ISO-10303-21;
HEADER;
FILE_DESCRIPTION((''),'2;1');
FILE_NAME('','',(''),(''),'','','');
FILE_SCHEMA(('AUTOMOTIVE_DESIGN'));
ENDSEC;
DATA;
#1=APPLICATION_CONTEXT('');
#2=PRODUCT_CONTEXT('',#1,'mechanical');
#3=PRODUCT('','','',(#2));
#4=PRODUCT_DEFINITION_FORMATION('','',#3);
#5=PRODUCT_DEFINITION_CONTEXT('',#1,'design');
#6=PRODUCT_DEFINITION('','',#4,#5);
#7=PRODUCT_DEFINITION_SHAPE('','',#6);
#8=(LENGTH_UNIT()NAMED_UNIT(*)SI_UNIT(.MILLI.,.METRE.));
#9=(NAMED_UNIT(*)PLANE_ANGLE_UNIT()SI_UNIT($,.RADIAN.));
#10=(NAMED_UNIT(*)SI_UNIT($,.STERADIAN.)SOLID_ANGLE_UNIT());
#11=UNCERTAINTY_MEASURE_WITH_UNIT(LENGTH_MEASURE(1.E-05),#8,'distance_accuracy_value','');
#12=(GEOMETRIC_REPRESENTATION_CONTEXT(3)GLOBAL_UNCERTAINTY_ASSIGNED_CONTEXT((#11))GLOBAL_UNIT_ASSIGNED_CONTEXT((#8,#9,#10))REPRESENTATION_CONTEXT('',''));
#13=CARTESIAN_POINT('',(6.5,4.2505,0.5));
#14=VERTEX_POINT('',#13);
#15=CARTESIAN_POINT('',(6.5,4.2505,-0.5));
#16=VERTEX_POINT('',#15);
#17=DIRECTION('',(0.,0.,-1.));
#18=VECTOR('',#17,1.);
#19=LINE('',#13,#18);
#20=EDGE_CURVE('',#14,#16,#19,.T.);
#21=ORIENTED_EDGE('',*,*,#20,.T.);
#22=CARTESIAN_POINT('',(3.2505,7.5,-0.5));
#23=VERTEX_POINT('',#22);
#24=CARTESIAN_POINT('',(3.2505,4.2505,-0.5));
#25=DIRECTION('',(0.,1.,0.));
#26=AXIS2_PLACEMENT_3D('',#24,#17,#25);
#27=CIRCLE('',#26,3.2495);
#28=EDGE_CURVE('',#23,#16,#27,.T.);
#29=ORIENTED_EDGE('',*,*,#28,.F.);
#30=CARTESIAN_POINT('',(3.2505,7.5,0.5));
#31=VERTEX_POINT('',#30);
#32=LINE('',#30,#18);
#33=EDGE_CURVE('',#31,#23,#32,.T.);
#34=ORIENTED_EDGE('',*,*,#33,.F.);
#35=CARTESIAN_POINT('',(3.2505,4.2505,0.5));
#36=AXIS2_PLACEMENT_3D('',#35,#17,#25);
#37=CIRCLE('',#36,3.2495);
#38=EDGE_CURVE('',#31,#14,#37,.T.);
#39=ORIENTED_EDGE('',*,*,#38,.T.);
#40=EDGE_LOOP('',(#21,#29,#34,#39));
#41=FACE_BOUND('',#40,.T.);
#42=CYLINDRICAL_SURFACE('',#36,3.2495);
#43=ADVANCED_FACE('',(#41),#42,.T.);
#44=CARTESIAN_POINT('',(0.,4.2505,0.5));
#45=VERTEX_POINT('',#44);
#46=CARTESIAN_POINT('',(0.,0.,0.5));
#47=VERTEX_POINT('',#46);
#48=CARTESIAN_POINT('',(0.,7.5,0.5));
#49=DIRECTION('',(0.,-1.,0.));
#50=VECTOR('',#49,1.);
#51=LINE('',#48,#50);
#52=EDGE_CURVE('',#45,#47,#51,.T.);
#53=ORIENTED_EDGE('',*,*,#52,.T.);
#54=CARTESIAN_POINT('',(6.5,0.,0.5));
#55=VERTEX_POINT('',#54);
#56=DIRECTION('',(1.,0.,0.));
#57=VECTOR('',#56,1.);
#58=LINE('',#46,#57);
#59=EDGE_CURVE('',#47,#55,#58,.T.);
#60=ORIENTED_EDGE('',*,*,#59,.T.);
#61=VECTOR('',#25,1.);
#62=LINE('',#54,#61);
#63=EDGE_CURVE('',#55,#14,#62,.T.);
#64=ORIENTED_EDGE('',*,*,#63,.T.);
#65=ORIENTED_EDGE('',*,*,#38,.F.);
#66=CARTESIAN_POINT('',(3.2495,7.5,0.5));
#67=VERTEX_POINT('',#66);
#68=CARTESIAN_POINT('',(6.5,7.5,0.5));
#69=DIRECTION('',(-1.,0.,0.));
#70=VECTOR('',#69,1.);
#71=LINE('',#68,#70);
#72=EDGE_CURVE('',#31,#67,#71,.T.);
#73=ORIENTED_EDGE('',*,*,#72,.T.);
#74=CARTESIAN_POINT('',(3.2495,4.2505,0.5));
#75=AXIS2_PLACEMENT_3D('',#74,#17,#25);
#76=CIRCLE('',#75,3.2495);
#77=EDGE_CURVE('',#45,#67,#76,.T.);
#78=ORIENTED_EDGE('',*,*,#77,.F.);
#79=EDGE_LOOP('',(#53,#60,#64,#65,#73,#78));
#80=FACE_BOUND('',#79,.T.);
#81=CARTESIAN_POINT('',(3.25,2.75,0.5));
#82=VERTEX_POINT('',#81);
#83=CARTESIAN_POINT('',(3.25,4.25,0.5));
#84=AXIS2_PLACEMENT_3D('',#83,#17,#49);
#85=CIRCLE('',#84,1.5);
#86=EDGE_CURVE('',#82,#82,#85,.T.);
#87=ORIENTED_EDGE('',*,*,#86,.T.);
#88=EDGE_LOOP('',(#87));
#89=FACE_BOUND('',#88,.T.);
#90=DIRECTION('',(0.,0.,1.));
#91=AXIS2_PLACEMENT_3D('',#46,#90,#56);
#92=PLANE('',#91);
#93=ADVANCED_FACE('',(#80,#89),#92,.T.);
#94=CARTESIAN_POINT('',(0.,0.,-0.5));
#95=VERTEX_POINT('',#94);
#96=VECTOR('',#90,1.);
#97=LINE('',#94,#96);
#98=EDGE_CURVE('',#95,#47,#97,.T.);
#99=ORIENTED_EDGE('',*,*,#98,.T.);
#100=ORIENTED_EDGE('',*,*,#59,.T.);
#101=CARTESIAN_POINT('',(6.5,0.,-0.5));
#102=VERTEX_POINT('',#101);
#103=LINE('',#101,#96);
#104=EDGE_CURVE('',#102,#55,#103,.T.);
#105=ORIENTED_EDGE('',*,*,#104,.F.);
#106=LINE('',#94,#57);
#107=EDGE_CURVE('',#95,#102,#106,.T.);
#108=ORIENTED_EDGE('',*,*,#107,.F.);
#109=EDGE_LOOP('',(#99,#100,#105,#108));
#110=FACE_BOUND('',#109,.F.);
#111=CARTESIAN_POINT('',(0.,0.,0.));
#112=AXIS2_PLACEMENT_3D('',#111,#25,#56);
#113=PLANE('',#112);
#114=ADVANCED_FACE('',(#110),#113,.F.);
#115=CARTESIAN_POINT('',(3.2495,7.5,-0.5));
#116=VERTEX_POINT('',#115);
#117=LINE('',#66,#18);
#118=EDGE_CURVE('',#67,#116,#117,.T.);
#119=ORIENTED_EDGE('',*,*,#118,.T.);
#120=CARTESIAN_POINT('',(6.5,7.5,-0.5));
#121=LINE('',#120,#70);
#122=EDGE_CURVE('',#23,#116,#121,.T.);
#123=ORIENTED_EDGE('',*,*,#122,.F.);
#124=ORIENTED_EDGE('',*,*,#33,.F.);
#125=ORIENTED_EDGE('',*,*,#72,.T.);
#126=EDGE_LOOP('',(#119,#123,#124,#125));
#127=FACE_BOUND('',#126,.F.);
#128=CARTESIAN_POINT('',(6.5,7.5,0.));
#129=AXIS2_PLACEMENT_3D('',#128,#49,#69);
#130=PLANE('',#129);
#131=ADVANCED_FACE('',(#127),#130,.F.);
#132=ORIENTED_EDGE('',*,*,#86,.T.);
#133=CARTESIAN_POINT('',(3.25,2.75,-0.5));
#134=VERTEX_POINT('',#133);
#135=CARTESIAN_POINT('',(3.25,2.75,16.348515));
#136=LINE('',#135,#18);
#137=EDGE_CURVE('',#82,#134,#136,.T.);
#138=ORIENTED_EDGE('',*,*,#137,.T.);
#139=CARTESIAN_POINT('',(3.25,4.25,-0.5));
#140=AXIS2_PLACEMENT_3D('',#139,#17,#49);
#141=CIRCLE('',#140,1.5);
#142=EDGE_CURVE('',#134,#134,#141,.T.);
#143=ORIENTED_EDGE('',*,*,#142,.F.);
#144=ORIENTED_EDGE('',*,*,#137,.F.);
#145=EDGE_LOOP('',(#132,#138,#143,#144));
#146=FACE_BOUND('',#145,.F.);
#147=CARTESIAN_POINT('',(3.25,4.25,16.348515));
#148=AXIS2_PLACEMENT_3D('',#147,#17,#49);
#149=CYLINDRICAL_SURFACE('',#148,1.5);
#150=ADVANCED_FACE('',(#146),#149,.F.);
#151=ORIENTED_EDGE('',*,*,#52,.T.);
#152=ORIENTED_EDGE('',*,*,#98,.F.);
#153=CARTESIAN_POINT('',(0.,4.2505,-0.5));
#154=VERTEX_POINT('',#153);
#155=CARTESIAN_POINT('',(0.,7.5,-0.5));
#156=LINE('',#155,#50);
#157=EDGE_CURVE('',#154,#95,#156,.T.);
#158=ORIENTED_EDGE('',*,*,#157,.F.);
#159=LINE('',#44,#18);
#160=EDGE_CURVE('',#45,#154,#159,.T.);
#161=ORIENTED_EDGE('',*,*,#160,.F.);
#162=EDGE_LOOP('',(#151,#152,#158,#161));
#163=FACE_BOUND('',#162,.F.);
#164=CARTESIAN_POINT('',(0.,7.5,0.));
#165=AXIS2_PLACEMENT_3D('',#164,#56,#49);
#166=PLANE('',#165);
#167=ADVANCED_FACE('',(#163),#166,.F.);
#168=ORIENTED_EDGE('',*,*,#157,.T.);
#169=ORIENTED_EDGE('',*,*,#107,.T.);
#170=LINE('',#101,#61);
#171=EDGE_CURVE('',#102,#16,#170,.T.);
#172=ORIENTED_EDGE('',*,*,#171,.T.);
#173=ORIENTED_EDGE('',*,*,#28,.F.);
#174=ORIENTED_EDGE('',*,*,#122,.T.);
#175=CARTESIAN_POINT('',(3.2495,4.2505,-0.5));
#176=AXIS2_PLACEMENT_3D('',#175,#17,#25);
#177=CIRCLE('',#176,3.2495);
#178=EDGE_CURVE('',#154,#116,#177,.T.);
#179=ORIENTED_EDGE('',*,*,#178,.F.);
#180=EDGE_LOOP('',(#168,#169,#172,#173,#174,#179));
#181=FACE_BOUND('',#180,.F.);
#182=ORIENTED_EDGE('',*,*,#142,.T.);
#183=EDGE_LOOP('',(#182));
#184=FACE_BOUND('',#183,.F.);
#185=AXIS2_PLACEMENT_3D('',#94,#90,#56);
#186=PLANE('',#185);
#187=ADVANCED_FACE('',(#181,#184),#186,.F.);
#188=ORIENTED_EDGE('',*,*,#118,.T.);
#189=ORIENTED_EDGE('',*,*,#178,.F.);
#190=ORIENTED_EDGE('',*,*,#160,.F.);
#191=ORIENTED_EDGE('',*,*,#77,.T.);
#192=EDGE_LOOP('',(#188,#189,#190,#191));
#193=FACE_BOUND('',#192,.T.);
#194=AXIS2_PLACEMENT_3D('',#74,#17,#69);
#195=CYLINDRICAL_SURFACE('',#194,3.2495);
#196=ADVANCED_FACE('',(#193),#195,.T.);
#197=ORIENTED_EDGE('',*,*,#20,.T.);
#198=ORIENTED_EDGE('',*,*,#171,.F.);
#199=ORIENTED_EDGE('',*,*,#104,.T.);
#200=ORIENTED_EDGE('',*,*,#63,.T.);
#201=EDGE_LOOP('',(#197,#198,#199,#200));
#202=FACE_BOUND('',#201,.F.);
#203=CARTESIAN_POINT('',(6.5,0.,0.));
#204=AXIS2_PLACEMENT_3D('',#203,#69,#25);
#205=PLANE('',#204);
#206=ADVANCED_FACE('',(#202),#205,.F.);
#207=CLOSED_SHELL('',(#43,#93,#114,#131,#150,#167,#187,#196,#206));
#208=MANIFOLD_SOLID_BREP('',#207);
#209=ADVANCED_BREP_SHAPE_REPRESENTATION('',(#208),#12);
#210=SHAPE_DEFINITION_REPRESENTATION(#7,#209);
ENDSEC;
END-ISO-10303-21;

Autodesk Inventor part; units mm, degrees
ref_plane "YZ Plane" through (0, 0, 0) normal (1, 0, 0) x (0, 1, 0)
ref_plane "XZ Plane" through (0, 0, 0) normal (0, 1, 0) x (-1, 0, 0)
ref_plane "XY Plane" through (0, 0, 0) normal (0, 0, 1) x (1, 0, 0)
sketch "Szkic1" plane through (0, 0, 0) normal (0, 0, 1) x (1, 0, 0)
  line L0 (0, 0) -> (6.5, 0)
  line L1 (6.5, 0) -> (6.5, 7.5)
  line L2 (6.5, 7.5) -> (0, 7.5)
  line L3 (0, 7.5) -> (0, 0)
  point P0 (3.25, 4.25)
  dimension "d0" = 6.5
  dimension "d5" = 3.25
  dimension "d6" = 4.25
extrude "Wyciągnięcie proste1" add sketch "Szkic1" along normal mid plane 1
fillet "Zaokrąglenie1" radius 3.25 2 edges at (6.5, 7.5, 0) (0, 7.5, 0)
hole "Otwór1" at (3.25, 4.25, 0) direction (0, 0, -1) diameter 3 end through all both
properties part number "podporka_mala"
